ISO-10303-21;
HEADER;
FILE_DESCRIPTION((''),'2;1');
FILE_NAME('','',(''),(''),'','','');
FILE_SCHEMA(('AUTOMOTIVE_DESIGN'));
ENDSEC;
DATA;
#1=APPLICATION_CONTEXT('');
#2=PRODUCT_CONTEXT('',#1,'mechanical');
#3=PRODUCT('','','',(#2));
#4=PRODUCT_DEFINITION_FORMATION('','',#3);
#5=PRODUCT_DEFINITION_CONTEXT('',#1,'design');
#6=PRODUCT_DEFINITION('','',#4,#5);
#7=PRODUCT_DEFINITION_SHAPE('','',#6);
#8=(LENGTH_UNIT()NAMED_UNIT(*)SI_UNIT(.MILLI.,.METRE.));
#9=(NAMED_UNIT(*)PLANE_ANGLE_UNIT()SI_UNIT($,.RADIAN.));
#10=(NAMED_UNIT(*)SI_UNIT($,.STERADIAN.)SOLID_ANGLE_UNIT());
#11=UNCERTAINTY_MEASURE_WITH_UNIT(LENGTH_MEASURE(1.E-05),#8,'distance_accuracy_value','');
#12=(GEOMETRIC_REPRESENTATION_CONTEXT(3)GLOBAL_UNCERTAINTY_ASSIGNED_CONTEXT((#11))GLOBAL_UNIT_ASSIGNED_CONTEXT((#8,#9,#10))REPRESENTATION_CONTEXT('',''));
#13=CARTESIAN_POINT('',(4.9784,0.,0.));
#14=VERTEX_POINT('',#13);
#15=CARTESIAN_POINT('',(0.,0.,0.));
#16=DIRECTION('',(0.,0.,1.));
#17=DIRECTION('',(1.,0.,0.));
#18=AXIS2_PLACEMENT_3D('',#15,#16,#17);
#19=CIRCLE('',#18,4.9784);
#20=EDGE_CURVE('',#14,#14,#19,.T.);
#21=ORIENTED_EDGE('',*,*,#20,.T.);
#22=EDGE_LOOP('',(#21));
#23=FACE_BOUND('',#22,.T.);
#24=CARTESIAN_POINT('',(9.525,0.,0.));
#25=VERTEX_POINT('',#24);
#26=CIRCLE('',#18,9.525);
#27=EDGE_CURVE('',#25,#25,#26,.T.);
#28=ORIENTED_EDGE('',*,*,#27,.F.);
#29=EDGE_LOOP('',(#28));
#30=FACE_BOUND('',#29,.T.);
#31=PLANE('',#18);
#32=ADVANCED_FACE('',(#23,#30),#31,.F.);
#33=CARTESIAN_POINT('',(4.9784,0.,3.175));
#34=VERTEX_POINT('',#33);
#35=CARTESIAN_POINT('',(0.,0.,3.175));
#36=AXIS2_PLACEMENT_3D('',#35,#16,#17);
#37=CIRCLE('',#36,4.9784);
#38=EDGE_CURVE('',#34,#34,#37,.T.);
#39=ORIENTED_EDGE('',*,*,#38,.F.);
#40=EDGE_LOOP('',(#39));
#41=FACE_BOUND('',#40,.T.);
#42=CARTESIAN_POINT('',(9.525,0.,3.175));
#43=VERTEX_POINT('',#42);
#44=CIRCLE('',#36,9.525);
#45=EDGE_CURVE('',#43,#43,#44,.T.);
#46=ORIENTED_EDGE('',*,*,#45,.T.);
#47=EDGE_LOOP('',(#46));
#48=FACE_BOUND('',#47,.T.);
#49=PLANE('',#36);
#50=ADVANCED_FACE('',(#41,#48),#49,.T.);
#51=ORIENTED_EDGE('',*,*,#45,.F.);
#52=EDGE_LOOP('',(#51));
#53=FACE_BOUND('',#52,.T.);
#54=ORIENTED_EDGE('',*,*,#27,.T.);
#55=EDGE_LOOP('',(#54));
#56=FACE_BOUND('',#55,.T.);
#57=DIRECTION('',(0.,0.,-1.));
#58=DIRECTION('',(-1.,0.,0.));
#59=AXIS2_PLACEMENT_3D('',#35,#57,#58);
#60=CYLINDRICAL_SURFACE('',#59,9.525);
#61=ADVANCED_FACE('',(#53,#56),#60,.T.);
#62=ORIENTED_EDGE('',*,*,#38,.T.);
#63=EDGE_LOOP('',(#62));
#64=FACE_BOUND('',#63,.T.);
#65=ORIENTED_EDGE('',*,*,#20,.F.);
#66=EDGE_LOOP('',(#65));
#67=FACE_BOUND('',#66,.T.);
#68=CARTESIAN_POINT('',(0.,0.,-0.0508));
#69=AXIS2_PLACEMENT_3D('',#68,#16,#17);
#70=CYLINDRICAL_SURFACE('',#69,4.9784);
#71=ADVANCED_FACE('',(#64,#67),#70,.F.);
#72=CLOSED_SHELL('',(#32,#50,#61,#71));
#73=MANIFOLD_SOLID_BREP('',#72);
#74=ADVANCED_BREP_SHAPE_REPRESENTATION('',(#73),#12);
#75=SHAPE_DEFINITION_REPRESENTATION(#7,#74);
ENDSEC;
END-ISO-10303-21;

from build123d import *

# Parameters (mm, degrees)
SKETCH1_R           = 9.525
BOSS_EXTRUDE1_DEPTH = 3.175
SKETCH2_R           = 4.7625
BOSS_EXTRUDE2_DEPTH = 4.7498
SKETCH3_R           = 4.9784
CUT_EXTRUDE1_DEPTH  = 7.9756


with BuildPart() as part:
    # Sketch1 → Boss-Extrude1 (new body)
    with BuildSketch(Plane.XY):
        Circle(SKETCH1_R)
    extrude(amount=BOSS_EXTRUDE1_DEPTH)

    # Sketch2 → Boss-Extrude2 (add)
    with BuildSketch(Plane.XY.offset(3.175)):
        Circle(SKETCH2_R)
    extrude(amount=BOSS_EXTRUDE2_DEPTH)

    # Sketch3 → Cut-Extrude1 (cut)
    with BuildSketch(Plane.XY.offset(7.9248)):
        Circle(SKETCH3_R)
    extrude(amount=-CUT_EXTRUDE1_DEPTH, mode=Mode.SUBTRACT)


solid = part.part
